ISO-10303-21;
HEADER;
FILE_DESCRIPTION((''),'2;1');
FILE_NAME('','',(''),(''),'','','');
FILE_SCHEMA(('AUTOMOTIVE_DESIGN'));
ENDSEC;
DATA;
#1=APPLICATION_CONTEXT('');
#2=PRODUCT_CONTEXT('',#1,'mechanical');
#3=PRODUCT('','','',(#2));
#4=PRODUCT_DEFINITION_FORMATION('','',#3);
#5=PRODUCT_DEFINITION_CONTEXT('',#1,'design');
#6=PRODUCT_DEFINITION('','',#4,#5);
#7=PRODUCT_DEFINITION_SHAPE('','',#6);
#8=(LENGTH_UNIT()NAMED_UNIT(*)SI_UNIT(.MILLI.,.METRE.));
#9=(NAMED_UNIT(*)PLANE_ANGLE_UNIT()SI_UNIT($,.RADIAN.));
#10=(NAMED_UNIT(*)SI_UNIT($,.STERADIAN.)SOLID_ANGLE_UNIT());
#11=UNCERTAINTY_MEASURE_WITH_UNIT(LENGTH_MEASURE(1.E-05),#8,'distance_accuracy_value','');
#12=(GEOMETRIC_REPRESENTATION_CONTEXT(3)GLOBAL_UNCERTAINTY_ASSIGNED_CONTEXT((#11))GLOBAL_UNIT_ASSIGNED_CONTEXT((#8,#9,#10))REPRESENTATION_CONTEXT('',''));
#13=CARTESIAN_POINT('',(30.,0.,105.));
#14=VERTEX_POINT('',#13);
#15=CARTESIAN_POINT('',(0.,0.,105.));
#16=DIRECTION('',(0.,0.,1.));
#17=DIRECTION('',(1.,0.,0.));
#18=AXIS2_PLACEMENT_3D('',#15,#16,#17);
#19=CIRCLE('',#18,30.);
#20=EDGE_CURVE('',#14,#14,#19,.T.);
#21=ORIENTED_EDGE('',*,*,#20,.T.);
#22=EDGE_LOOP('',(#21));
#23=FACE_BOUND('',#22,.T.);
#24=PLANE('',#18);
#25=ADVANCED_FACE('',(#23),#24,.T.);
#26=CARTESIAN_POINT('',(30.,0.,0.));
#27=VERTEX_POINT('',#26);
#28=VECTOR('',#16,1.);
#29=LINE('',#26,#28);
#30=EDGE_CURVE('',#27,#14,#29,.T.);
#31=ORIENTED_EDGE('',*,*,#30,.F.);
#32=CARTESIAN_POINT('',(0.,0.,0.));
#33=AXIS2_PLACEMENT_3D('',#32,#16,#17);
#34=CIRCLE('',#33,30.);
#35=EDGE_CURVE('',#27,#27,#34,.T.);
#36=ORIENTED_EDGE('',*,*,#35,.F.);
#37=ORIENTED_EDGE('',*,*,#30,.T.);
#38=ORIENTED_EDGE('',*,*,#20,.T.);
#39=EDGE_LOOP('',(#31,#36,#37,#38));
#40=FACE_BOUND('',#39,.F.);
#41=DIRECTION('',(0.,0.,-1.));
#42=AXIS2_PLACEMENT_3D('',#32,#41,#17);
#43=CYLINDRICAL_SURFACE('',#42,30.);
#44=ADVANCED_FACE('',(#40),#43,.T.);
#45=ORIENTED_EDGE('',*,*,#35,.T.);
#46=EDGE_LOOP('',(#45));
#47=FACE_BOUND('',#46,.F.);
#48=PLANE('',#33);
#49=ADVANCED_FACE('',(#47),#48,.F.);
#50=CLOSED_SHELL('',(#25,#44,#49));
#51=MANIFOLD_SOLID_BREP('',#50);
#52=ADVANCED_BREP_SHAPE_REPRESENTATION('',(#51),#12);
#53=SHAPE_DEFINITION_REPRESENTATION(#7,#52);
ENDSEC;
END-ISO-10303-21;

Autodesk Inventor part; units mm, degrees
ref_plane "YZ Plane" through (0, 0, 0) normal (1, 0, 0) x (0, 1, 0)
ref_plane "XZ Plane" through (0, 0, 0) normal (0, 1, 0) x (-1, 0, 0)
ref_plane "XY Plane" through (0, 0, 0) normal (0, 0, 1) x (1, 0, 0)
sketch "Sketch1" plane through (0, 0, 0) normal (0, 0, 1) x (1, 0, 0)
  circle A0 centre (0, 0) radius 30
  dimension "d0" = 60
extrude "Extrusion1" add sketch "Sketch1" along normal blind 105
properties part number "reservoir pump combo reservoir"
